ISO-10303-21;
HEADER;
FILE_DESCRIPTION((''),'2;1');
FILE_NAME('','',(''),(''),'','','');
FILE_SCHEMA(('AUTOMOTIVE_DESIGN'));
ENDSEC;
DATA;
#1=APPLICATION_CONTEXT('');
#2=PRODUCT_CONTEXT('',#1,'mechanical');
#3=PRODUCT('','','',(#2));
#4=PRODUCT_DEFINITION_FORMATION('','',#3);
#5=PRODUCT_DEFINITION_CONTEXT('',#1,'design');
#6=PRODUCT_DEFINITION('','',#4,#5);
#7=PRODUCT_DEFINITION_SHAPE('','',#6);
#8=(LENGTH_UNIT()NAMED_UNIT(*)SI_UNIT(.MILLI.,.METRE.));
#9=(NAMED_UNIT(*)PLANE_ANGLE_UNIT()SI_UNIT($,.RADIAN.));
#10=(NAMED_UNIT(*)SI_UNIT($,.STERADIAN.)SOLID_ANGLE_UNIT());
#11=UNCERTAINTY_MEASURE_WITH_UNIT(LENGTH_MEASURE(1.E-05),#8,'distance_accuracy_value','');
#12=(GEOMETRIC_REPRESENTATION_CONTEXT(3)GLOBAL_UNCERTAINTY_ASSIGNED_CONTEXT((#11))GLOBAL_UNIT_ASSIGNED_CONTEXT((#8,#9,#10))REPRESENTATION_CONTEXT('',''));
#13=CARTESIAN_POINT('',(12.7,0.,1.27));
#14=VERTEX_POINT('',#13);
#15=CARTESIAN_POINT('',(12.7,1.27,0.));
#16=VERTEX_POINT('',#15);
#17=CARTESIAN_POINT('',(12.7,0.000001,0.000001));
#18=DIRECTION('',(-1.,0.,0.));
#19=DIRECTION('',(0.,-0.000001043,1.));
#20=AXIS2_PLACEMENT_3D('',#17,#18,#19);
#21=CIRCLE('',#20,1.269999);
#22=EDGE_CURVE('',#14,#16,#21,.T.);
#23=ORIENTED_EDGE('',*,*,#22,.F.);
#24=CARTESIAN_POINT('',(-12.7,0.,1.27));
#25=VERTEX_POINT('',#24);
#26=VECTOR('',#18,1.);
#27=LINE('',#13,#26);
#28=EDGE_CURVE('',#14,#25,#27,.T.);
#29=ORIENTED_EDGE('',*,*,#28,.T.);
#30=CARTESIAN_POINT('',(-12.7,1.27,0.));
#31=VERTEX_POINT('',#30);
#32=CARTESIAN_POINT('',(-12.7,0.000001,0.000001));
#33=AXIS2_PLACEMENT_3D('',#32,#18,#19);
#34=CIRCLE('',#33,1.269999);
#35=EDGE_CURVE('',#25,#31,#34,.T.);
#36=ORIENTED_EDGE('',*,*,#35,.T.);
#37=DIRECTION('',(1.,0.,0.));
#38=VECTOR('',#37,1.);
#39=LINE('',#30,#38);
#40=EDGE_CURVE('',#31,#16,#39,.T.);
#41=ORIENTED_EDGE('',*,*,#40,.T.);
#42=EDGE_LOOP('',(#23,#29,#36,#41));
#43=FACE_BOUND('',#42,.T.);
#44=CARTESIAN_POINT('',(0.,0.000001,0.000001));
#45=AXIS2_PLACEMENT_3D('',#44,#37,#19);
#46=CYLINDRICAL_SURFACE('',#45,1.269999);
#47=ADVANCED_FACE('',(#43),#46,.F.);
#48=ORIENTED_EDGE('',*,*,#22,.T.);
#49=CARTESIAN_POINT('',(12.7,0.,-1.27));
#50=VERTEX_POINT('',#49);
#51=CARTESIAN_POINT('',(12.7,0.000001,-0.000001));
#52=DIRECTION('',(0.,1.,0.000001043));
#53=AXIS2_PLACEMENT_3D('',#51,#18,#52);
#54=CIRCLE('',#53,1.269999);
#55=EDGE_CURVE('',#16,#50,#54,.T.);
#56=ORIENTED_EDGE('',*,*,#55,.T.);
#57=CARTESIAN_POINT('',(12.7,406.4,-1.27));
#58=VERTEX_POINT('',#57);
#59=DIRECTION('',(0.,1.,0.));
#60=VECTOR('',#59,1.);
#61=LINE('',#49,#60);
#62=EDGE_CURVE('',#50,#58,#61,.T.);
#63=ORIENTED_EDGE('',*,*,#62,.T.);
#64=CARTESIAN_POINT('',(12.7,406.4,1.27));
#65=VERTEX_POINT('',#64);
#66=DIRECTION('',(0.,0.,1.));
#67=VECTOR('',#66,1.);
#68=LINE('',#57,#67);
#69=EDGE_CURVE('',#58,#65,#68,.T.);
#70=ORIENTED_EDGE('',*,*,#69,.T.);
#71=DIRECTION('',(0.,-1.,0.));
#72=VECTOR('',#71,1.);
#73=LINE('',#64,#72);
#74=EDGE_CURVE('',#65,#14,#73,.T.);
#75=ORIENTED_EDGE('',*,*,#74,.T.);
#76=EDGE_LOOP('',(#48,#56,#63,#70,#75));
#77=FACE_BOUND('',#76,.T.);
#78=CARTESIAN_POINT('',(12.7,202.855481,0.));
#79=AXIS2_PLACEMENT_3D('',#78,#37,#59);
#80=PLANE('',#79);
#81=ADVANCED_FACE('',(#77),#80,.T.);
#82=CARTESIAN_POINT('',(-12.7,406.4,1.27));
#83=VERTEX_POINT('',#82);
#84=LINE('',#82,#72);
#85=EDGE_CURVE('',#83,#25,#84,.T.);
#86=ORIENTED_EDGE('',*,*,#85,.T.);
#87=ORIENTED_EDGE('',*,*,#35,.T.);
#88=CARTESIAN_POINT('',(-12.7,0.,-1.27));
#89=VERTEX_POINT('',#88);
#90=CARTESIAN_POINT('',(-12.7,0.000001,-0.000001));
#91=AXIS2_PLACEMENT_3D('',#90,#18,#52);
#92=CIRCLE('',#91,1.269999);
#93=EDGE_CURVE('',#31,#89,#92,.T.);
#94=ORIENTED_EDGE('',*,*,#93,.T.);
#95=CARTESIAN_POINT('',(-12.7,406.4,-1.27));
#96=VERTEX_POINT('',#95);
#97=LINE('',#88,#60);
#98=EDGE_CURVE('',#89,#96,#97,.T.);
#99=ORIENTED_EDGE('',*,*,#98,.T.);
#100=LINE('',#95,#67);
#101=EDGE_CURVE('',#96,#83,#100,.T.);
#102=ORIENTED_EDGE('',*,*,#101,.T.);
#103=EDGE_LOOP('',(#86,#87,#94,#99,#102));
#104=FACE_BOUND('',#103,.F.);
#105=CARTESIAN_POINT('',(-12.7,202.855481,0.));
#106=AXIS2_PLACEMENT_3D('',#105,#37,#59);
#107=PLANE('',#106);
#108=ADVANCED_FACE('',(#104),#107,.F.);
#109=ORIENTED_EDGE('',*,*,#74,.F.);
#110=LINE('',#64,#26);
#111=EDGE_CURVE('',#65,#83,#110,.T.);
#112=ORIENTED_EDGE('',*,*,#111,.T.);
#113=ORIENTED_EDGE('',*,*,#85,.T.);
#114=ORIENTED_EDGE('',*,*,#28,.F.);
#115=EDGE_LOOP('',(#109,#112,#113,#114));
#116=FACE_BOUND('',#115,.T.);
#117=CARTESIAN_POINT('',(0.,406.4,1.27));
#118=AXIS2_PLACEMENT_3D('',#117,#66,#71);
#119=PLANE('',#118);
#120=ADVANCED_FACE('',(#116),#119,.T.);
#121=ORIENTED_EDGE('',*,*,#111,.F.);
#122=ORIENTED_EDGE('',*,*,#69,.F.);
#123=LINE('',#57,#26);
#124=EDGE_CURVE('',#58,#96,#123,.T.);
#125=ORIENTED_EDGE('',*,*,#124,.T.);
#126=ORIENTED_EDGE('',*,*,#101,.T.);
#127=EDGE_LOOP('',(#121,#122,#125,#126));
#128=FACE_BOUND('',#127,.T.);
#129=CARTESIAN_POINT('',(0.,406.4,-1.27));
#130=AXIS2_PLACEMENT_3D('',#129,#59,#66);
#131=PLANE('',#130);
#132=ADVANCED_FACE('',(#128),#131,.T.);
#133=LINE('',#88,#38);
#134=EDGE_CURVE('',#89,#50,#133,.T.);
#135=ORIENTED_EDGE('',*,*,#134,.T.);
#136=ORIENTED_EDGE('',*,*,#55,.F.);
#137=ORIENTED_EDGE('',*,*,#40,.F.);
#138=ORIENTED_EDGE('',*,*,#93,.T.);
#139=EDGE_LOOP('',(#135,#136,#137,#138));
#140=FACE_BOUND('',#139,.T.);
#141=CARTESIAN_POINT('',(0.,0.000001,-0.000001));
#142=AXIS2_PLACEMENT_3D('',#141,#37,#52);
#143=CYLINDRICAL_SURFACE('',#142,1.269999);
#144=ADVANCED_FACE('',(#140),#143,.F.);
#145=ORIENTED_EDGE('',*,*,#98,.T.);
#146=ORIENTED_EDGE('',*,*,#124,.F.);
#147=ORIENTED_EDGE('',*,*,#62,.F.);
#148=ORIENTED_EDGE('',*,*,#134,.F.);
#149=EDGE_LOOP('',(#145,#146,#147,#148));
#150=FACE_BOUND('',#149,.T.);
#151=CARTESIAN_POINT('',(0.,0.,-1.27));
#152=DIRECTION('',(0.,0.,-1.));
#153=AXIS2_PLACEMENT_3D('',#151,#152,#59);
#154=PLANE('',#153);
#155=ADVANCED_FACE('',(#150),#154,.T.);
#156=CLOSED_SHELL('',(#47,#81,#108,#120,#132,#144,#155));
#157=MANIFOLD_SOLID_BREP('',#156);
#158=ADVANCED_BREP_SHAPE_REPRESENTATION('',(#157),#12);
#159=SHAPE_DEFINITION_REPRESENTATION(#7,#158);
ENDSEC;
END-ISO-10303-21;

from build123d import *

# Parameters (mm, degrees)
F1_DEPTH = 12.7


with BuildPart() as f1:
    # F0 (on Right) → F1 (new body, symmetric)
    with BuildSketch(Plane.YZ):
        with BuildLine():
            ThreePointArc((0, 1.27), (0.898026, 0.898026), (1.27, 0))
            ThreePointArc((1.27, 0), (0.898026, -0.898026), (0, -1.27))
            Line((0, -1.27), (406.4, -1.27))
            Line((406.4, -1.27), (406.4, 1.27))
            Line((406.4, 1.27), (0, 1.27))
        make_face()
    extrude(amount=F1_DEPTH, both=True)


solid = f1.part
